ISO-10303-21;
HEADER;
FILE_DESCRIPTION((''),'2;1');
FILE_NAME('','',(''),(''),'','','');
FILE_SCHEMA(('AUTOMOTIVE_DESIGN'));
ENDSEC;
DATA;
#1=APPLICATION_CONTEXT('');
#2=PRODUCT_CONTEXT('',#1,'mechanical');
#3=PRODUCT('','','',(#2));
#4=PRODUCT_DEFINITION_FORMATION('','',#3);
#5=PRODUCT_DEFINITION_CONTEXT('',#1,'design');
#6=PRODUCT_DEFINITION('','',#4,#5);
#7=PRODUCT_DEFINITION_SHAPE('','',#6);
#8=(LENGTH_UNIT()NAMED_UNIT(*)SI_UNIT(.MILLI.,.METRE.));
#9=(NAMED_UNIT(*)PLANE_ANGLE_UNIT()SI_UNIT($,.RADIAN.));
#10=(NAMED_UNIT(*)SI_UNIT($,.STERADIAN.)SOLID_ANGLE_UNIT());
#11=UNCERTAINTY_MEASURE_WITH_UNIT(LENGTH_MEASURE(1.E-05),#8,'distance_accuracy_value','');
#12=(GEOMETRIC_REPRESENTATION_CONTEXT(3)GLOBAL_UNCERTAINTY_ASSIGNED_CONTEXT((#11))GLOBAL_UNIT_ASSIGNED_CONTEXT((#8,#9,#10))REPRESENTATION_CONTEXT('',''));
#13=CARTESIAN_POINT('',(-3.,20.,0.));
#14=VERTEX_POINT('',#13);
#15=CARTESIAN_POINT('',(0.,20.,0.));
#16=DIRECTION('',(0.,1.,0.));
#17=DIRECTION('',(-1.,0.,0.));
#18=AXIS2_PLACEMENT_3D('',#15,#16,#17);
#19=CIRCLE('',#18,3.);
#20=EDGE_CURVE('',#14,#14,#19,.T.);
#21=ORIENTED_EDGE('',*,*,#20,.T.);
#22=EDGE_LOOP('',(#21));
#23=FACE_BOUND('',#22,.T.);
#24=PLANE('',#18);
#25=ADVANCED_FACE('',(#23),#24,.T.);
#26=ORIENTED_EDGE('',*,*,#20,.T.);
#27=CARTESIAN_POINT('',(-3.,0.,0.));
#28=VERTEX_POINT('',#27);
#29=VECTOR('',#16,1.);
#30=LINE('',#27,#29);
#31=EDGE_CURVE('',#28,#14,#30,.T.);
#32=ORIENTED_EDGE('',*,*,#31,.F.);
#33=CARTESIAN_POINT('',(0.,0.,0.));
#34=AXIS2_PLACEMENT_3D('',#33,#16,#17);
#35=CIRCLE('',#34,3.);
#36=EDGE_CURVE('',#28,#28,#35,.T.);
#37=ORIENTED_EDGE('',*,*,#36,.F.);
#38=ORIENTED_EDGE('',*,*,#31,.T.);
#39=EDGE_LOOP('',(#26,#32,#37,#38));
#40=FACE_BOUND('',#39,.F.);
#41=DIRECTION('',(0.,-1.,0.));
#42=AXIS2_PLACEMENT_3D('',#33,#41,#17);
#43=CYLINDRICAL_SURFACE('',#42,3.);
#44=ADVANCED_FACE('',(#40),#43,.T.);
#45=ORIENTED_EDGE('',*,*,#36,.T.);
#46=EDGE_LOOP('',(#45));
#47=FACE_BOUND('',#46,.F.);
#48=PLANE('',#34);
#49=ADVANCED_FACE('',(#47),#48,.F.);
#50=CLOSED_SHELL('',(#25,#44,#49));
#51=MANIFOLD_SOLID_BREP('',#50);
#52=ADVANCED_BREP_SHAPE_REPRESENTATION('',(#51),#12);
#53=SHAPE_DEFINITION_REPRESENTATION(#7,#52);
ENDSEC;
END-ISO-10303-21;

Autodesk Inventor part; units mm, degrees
ref_plane "YZ Plane" through (0, 0, 0) normal (1, 0, 0) x (0, 1, 0)
ref_plane "XZ Plane" through (0, 0, 0) normal (0, 1, 0) x (-1, 0, 0)
ref_plane "XY Plane" through (0, 0, 0) normal (0, 0, 1) x (1, 0, 0)
sketch "Sketch1" plane through (0, 0, 0) normal (0, 1, 0) x (-1, 0, 0)
  circle A0 centre (0, 0) radius 3
  dimension "d0" = 6
extrude "Extrusion1" add sketch "Sketch1" along normal blind 20
properties part number "CeramicHeater" material "Iron, Cast"
